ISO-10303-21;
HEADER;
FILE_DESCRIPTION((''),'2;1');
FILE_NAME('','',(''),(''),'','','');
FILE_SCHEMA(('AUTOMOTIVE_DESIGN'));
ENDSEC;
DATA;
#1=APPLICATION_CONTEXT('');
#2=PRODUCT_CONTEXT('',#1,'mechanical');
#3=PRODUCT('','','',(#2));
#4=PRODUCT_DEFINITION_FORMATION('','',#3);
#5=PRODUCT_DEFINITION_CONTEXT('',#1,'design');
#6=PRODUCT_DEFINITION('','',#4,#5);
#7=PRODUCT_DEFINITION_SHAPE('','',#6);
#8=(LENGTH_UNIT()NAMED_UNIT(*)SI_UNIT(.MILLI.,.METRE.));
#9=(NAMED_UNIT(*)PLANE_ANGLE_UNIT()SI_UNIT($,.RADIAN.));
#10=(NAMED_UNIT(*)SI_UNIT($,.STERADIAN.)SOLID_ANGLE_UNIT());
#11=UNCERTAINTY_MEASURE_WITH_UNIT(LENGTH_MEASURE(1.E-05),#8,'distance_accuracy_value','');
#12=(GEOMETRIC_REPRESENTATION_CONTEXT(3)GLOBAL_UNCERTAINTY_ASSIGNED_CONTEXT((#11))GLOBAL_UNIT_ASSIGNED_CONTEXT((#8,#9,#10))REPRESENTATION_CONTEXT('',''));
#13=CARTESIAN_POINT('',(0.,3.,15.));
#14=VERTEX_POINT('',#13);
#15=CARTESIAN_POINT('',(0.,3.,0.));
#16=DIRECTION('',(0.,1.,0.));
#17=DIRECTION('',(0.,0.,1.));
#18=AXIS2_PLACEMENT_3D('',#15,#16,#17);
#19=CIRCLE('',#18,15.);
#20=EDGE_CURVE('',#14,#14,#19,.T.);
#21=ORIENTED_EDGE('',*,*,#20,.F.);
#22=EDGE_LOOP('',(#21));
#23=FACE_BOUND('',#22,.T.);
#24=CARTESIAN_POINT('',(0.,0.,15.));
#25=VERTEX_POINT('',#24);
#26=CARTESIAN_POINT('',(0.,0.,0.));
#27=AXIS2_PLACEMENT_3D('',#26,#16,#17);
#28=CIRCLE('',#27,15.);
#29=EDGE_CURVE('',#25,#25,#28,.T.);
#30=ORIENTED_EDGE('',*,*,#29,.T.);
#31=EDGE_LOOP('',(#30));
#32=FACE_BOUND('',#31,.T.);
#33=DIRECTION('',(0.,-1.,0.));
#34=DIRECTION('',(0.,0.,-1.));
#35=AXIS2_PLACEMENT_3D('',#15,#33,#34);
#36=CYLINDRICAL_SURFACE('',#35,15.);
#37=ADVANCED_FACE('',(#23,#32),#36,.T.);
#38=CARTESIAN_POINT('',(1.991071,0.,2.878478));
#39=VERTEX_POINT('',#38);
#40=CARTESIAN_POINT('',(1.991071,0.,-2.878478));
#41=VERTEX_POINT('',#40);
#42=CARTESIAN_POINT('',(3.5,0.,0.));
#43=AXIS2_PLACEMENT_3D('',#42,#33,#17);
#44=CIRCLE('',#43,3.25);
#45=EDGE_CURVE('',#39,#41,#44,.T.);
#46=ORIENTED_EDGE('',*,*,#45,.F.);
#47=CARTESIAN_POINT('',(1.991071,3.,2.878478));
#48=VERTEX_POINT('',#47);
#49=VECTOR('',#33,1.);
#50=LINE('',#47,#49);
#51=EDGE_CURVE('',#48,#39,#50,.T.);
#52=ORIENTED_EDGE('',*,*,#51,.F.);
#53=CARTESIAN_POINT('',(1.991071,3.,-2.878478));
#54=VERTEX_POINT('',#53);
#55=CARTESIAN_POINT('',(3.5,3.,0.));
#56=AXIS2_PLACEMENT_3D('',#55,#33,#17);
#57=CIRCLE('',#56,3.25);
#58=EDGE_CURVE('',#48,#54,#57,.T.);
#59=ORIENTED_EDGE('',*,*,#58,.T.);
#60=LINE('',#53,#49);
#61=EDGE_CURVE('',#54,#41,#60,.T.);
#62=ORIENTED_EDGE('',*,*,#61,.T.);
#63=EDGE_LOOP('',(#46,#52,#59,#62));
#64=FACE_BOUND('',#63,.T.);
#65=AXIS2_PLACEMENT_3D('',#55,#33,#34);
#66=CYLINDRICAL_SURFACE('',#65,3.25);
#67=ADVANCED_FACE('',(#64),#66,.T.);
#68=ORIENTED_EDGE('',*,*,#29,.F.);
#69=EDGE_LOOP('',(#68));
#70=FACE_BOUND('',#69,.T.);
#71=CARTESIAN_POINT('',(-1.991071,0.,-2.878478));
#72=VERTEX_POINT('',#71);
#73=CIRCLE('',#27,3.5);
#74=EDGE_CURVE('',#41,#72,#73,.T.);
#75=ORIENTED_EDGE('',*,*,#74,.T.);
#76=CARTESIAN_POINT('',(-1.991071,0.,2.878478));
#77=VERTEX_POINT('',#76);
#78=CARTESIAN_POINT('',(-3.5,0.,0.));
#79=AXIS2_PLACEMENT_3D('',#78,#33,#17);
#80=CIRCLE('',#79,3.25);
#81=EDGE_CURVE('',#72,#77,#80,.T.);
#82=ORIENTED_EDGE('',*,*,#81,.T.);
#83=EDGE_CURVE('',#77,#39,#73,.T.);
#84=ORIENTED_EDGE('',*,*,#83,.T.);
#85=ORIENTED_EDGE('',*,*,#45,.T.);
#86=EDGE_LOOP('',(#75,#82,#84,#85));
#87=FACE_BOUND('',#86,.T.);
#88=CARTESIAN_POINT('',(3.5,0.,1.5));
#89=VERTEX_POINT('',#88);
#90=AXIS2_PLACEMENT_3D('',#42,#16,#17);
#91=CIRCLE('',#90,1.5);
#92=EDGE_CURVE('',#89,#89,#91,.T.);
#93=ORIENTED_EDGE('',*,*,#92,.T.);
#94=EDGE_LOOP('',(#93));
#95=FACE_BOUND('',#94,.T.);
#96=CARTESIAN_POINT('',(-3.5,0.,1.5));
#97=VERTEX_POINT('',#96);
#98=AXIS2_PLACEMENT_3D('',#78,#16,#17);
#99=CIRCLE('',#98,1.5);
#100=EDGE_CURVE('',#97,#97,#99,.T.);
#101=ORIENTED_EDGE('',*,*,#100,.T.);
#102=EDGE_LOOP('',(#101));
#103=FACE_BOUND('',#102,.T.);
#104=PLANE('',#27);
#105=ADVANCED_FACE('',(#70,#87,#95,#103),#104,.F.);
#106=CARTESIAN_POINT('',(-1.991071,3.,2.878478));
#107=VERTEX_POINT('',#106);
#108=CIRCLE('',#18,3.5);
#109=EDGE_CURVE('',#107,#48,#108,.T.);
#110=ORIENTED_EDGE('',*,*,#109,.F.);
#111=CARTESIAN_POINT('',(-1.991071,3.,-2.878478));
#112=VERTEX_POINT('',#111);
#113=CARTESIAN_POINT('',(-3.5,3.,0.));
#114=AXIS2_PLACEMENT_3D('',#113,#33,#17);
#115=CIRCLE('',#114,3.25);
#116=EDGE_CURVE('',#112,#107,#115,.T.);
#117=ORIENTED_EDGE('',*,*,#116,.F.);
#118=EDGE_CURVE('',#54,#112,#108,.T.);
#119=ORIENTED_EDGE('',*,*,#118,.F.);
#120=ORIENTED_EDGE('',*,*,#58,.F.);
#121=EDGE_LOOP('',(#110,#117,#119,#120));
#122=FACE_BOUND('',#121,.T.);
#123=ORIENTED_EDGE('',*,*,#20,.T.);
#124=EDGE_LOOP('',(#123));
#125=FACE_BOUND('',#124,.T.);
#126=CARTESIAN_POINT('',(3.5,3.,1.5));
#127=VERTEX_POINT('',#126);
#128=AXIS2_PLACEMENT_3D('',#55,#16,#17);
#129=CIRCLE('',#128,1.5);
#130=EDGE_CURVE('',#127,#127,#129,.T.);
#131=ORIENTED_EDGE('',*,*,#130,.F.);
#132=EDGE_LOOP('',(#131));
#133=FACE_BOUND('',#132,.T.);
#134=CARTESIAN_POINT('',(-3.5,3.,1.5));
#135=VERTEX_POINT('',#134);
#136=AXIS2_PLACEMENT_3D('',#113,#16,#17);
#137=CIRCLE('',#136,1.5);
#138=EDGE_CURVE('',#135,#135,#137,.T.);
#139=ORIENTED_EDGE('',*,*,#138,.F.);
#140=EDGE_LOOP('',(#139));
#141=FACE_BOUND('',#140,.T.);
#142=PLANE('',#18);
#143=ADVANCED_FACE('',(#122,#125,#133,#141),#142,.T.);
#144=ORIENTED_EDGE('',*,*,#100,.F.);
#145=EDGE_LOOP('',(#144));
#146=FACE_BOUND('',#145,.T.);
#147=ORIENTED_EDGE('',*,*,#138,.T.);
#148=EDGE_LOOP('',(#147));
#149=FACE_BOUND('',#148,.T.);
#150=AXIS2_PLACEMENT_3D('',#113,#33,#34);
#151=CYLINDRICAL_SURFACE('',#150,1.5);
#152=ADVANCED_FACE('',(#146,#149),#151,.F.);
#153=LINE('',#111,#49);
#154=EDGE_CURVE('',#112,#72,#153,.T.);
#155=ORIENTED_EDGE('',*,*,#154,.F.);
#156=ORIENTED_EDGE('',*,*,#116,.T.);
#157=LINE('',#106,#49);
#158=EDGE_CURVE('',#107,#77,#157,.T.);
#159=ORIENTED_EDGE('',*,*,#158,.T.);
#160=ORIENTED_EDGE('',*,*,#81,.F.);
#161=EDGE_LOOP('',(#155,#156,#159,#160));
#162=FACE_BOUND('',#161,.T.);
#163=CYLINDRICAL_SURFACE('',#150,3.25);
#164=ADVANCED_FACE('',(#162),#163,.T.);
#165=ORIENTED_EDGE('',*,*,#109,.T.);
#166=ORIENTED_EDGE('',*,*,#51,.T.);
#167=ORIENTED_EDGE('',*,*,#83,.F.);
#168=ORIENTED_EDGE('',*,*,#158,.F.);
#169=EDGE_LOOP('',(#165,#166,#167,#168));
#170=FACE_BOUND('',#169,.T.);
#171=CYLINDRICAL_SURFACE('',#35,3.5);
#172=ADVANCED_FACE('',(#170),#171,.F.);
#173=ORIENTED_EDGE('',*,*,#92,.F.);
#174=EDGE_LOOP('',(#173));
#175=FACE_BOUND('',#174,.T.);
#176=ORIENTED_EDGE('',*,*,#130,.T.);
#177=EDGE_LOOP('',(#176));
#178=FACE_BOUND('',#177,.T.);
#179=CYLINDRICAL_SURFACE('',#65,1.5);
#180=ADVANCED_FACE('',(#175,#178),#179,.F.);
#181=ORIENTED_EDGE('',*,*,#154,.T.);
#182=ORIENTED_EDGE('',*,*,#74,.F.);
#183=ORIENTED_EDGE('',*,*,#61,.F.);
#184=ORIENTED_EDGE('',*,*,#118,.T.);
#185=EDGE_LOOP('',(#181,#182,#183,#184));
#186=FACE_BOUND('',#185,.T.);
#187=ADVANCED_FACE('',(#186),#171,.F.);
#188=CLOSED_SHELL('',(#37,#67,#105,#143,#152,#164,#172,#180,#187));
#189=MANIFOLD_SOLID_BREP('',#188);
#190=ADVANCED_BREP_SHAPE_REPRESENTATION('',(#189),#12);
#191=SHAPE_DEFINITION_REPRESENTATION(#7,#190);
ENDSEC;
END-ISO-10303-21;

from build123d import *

# Parameters (mm, degrees)
ESQUISSE1_R        = 15
ESQUISSE1_R_2      = 1.5
BOSS_EXTRU_1_DEPTH = 3


with BuildPart() as part:
    # Esquisse1 → Boss.-Extru.1 (new body)
    with BuildSketch(Plane(origin=(0, 0, 0), x_dir=(1, 0, 0), z_dir=(0, 1, 0))):
        Circle(ESQUISSE1_R)
        with Locations((-3.5, 0)):
            Circle(ESQUISSE1_R_2, mode=Mode.SUBTRACT)
        with Locations((3.5, 0)):
            Circle(ESQUISSE1_R_2, mode=Mode.SUBTRACT)
        with BuildLine():
            ThreePointArc((1.991071429, 2.878477821), (0.25, 0), (1.991071429, -2.878477821))
            ThreePointArc((1.991071429, -2.878477821), (0, -3.5), (-1.991071429, -2.878477821))
            ThreePointArc((-1.991071429, -2.878477821), (-0.25, 0), (-1.991071429, 2.878477821))
            ThreePointArc((-1.991071429, 2.878477821), (0, 3.5), (1.991071429, 2.878477821))
        make_face(mode=Mode.SUBTRACT)
    extrude(amount=BOSS_EXTRU_1_DEPTH)


solid = part.part
